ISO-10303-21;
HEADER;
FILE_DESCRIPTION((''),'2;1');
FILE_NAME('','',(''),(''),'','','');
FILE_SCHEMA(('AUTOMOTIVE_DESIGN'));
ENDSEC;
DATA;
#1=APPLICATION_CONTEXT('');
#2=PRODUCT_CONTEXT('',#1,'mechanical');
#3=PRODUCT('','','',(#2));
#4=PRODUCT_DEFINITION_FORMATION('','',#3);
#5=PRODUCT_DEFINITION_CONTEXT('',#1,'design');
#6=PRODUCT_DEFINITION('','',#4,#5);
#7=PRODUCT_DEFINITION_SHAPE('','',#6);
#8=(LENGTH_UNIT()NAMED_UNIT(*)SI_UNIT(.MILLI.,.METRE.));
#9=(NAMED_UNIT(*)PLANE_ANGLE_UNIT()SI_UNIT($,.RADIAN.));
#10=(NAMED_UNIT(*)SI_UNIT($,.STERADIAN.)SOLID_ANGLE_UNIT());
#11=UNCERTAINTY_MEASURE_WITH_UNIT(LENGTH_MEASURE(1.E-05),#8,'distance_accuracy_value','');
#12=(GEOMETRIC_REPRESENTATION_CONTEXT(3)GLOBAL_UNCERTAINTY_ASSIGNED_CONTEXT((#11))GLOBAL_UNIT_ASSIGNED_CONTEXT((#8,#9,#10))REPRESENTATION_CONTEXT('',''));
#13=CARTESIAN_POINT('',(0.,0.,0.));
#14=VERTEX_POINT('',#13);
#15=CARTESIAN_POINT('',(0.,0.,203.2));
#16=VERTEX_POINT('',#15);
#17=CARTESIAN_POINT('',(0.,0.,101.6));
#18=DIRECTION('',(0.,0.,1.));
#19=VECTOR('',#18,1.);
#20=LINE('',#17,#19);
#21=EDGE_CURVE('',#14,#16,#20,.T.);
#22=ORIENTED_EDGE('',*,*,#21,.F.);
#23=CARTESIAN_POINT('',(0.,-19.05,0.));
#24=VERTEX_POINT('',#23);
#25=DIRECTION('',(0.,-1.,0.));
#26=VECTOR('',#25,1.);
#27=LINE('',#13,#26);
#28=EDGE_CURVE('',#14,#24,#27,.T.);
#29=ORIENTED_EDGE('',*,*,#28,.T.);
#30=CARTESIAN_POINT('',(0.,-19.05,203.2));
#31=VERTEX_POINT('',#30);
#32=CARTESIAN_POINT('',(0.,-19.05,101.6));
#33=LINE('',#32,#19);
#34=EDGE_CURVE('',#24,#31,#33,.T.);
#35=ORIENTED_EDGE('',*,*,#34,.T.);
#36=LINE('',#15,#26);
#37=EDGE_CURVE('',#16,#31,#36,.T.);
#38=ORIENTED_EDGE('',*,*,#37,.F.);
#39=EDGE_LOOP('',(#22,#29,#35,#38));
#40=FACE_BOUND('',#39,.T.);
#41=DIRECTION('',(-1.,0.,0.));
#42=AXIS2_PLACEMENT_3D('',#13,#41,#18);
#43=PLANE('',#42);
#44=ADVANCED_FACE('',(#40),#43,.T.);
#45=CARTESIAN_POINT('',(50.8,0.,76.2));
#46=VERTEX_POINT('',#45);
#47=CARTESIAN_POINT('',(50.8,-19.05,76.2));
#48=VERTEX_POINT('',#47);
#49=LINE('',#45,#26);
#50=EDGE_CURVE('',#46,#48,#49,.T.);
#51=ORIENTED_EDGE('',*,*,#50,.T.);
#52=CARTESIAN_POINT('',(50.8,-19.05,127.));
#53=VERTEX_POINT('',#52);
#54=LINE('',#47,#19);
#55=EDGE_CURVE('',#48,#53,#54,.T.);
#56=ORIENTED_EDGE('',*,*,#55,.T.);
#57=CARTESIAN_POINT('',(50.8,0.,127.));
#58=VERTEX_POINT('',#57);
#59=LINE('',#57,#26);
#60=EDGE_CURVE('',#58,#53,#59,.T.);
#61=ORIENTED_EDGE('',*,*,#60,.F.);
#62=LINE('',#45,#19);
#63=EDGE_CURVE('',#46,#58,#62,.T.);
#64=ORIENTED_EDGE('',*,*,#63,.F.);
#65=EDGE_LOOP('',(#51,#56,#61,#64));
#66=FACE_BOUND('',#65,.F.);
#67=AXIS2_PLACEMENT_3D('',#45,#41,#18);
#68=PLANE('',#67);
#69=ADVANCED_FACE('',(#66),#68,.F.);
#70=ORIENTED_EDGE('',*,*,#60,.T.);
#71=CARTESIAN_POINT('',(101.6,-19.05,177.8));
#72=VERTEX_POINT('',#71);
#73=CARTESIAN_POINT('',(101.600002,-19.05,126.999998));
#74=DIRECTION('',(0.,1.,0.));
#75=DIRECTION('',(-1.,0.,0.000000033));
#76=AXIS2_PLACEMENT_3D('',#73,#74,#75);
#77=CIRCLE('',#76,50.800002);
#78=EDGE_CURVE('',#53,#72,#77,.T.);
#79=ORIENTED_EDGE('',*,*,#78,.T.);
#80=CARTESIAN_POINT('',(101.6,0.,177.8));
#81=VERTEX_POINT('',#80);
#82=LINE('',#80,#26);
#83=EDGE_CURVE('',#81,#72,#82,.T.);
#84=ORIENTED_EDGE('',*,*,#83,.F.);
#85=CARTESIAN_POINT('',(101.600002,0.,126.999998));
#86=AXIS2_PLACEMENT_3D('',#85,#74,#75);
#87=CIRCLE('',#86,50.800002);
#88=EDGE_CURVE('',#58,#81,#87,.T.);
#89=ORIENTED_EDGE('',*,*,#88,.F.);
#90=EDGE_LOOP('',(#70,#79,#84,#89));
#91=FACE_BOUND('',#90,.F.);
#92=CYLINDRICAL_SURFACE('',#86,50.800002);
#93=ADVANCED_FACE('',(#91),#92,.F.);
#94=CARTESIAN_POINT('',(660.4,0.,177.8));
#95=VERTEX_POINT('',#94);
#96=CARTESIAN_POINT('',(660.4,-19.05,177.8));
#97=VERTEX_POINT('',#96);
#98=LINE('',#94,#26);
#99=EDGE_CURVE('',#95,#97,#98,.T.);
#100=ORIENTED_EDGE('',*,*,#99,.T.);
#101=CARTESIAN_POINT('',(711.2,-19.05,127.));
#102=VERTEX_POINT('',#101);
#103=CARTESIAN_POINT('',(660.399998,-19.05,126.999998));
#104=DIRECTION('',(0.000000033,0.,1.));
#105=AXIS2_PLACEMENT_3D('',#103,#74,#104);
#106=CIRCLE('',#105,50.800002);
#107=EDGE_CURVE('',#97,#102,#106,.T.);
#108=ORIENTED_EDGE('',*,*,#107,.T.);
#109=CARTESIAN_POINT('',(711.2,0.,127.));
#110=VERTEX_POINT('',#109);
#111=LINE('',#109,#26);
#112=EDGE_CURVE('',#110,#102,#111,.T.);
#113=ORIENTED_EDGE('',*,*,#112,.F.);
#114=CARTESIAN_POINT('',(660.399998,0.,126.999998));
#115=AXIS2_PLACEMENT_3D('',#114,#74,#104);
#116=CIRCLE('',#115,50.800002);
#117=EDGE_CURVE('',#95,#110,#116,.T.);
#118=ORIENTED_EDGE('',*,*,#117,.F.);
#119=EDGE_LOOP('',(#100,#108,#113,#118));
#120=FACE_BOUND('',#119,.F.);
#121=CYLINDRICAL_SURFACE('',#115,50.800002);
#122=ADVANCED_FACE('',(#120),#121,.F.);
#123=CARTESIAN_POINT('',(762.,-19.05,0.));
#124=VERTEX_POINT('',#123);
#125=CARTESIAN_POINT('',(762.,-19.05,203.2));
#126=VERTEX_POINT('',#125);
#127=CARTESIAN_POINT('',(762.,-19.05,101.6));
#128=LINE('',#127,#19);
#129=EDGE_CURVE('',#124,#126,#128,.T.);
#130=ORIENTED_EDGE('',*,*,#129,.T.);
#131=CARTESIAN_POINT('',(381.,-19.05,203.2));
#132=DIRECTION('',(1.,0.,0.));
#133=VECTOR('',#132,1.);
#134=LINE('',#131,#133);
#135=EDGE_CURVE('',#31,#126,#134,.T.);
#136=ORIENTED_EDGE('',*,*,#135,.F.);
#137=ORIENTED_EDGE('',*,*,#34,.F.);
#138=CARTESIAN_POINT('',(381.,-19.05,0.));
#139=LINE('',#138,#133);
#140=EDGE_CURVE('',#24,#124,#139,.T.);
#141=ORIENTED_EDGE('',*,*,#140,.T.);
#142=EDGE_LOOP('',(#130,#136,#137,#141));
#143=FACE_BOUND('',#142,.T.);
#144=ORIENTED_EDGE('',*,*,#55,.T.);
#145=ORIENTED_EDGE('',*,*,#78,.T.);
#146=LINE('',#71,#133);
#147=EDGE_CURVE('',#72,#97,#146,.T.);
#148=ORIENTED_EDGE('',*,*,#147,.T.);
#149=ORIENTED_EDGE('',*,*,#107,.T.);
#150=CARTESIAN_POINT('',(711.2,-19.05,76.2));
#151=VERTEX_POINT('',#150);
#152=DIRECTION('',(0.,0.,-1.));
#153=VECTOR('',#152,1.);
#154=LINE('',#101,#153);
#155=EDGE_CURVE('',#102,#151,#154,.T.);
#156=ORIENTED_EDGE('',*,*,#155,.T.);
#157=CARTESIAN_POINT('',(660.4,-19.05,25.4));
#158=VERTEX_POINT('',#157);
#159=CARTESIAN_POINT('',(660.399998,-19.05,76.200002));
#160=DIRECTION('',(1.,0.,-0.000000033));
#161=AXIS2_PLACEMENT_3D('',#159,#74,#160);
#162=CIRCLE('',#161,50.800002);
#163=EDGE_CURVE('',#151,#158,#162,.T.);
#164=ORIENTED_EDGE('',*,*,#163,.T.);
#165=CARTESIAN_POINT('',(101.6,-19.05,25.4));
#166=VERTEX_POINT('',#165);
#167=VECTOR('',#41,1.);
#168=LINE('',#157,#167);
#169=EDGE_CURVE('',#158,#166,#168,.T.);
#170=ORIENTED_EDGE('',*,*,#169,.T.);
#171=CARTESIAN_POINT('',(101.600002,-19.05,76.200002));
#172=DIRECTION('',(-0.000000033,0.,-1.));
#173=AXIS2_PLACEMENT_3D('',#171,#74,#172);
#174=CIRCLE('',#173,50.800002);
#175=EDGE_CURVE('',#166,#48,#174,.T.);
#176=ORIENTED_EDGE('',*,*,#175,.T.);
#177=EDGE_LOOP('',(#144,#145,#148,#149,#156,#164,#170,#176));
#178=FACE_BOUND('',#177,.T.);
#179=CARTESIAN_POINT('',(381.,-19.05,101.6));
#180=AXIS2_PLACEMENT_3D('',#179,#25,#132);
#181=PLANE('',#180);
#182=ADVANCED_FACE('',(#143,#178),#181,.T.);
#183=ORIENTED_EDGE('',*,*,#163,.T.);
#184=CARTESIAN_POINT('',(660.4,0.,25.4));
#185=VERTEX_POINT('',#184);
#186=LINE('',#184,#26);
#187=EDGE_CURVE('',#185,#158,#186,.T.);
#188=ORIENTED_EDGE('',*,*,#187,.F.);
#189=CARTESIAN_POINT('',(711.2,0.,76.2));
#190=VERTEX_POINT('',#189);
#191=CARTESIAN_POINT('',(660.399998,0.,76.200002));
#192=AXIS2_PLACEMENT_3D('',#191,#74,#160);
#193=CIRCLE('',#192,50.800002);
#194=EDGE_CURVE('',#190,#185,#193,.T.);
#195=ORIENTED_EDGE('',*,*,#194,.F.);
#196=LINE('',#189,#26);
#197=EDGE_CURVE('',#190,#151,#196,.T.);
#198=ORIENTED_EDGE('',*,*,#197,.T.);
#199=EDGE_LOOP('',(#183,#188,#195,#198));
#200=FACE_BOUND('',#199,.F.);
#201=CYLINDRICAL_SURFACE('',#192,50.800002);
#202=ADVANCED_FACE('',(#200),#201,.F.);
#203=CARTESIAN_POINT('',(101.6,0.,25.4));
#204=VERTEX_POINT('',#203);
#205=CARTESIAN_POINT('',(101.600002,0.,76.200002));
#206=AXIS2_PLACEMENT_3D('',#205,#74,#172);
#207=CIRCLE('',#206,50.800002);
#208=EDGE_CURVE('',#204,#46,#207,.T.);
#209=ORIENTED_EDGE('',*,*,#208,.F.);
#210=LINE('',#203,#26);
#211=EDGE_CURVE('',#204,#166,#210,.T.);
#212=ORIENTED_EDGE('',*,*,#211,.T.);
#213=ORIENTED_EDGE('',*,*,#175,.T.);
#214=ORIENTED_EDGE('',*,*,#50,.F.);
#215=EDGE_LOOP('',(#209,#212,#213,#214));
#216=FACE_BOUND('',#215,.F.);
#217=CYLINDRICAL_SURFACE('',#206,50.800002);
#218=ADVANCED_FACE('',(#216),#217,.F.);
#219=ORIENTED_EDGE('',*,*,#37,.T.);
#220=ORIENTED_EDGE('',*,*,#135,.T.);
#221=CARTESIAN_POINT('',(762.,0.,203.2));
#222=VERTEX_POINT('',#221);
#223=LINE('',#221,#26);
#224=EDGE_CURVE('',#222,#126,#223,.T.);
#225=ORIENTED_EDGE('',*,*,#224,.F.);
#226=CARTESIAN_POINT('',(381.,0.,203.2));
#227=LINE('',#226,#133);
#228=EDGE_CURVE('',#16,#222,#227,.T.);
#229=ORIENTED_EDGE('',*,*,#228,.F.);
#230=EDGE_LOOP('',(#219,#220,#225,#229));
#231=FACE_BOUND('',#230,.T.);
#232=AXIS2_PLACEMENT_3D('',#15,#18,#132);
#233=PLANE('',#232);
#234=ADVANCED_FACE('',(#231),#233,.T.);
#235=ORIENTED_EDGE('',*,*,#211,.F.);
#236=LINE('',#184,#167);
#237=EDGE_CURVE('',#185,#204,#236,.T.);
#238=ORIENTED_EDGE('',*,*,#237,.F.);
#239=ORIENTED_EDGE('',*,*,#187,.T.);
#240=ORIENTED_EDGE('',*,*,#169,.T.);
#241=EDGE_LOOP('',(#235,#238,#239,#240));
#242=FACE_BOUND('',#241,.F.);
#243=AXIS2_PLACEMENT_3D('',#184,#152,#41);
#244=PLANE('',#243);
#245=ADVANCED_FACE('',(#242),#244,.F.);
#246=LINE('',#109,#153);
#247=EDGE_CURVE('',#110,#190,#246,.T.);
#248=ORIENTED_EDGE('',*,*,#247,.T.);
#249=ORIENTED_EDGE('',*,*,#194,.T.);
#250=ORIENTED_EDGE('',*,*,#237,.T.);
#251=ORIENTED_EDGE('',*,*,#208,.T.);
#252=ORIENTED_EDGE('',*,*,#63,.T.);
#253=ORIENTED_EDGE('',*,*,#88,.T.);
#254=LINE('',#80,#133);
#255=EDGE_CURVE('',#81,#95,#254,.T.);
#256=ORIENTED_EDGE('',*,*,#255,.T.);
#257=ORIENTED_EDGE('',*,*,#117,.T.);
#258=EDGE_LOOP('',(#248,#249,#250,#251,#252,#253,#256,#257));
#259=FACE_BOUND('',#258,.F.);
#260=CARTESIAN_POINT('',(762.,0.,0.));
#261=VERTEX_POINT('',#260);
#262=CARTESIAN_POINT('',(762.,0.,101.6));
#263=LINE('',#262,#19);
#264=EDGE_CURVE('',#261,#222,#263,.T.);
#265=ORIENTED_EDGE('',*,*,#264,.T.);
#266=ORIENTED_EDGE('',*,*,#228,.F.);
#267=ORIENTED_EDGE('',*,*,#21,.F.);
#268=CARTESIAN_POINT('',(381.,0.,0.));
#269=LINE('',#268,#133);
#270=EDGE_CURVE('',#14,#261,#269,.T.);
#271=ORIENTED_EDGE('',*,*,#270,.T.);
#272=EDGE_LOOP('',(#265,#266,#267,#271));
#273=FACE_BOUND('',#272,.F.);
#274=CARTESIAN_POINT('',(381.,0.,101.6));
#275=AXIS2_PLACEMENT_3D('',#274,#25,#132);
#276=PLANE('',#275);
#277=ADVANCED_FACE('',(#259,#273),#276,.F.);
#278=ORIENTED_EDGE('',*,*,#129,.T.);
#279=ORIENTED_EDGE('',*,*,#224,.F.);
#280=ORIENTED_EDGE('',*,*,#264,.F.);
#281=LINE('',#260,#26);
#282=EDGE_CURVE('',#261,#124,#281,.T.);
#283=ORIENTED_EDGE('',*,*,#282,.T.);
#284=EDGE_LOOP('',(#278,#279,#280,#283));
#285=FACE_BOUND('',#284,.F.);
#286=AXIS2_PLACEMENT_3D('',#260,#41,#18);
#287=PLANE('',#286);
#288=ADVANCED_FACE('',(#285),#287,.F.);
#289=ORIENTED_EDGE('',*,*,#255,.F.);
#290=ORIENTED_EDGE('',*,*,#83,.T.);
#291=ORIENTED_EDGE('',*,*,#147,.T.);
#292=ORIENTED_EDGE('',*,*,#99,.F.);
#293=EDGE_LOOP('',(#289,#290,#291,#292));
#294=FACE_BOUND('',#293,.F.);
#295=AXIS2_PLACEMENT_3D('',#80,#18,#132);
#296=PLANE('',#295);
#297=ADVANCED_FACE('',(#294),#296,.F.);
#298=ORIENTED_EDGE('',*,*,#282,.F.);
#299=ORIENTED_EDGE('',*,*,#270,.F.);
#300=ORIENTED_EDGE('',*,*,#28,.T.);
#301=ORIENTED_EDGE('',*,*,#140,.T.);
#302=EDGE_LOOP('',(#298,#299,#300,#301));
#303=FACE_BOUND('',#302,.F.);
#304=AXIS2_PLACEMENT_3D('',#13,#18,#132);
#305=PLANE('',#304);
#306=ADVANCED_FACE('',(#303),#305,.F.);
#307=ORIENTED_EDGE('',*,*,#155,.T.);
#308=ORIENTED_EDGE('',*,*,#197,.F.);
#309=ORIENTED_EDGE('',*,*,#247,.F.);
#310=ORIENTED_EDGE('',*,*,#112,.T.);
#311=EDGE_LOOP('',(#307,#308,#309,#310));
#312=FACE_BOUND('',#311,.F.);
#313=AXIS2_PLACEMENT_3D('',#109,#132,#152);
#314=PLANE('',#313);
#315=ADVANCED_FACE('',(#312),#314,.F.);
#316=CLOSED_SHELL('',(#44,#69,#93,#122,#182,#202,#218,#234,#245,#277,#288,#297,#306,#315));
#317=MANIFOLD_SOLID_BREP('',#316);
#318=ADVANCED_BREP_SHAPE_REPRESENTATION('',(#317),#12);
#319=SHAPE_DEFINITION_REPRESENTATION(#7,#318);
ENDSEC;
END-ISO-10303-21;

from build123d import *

# Parameters (mm, degrees)
F0_W     = 762
F0_H     = 203.2
F1_DEPTH = 19.05


with BuildPart() as f1:
    # F0 (on Front) → F1 (new body)
    with BuildSketch(Plane.XZ):
        with Locations((381, 101.6)):
            Rectangle(F0_W, F0_H)
        with BuildLine():
            ThreePointArc((50.8, 127), (65.678976, 162.921024), (101.6, 177.8))
            Line((101.6, 177.8), (660.4, 177.8))
            ThreePointArc((660.4, 177.8), (696.321024, 162.921024), (711.2, 127))
            Line((711.2, 127), (711.2, 76.2))
            ThreePointArc((711.2, 76.2), (696.321024, 40.278976), (660.4, 25.4))
            Line((660.4, 25.4), (101.6, 25.4))
            ThreePointArc((101.6, 25.4), (65.678976, 40.278976), (50.8, 76.2))
            Line((50.8, 76.2), (50.8, 127))
        make_face(mode=Mode.SUBTRACT)
    extrude(amount=F1_DEPTH)


solid = f1.part
